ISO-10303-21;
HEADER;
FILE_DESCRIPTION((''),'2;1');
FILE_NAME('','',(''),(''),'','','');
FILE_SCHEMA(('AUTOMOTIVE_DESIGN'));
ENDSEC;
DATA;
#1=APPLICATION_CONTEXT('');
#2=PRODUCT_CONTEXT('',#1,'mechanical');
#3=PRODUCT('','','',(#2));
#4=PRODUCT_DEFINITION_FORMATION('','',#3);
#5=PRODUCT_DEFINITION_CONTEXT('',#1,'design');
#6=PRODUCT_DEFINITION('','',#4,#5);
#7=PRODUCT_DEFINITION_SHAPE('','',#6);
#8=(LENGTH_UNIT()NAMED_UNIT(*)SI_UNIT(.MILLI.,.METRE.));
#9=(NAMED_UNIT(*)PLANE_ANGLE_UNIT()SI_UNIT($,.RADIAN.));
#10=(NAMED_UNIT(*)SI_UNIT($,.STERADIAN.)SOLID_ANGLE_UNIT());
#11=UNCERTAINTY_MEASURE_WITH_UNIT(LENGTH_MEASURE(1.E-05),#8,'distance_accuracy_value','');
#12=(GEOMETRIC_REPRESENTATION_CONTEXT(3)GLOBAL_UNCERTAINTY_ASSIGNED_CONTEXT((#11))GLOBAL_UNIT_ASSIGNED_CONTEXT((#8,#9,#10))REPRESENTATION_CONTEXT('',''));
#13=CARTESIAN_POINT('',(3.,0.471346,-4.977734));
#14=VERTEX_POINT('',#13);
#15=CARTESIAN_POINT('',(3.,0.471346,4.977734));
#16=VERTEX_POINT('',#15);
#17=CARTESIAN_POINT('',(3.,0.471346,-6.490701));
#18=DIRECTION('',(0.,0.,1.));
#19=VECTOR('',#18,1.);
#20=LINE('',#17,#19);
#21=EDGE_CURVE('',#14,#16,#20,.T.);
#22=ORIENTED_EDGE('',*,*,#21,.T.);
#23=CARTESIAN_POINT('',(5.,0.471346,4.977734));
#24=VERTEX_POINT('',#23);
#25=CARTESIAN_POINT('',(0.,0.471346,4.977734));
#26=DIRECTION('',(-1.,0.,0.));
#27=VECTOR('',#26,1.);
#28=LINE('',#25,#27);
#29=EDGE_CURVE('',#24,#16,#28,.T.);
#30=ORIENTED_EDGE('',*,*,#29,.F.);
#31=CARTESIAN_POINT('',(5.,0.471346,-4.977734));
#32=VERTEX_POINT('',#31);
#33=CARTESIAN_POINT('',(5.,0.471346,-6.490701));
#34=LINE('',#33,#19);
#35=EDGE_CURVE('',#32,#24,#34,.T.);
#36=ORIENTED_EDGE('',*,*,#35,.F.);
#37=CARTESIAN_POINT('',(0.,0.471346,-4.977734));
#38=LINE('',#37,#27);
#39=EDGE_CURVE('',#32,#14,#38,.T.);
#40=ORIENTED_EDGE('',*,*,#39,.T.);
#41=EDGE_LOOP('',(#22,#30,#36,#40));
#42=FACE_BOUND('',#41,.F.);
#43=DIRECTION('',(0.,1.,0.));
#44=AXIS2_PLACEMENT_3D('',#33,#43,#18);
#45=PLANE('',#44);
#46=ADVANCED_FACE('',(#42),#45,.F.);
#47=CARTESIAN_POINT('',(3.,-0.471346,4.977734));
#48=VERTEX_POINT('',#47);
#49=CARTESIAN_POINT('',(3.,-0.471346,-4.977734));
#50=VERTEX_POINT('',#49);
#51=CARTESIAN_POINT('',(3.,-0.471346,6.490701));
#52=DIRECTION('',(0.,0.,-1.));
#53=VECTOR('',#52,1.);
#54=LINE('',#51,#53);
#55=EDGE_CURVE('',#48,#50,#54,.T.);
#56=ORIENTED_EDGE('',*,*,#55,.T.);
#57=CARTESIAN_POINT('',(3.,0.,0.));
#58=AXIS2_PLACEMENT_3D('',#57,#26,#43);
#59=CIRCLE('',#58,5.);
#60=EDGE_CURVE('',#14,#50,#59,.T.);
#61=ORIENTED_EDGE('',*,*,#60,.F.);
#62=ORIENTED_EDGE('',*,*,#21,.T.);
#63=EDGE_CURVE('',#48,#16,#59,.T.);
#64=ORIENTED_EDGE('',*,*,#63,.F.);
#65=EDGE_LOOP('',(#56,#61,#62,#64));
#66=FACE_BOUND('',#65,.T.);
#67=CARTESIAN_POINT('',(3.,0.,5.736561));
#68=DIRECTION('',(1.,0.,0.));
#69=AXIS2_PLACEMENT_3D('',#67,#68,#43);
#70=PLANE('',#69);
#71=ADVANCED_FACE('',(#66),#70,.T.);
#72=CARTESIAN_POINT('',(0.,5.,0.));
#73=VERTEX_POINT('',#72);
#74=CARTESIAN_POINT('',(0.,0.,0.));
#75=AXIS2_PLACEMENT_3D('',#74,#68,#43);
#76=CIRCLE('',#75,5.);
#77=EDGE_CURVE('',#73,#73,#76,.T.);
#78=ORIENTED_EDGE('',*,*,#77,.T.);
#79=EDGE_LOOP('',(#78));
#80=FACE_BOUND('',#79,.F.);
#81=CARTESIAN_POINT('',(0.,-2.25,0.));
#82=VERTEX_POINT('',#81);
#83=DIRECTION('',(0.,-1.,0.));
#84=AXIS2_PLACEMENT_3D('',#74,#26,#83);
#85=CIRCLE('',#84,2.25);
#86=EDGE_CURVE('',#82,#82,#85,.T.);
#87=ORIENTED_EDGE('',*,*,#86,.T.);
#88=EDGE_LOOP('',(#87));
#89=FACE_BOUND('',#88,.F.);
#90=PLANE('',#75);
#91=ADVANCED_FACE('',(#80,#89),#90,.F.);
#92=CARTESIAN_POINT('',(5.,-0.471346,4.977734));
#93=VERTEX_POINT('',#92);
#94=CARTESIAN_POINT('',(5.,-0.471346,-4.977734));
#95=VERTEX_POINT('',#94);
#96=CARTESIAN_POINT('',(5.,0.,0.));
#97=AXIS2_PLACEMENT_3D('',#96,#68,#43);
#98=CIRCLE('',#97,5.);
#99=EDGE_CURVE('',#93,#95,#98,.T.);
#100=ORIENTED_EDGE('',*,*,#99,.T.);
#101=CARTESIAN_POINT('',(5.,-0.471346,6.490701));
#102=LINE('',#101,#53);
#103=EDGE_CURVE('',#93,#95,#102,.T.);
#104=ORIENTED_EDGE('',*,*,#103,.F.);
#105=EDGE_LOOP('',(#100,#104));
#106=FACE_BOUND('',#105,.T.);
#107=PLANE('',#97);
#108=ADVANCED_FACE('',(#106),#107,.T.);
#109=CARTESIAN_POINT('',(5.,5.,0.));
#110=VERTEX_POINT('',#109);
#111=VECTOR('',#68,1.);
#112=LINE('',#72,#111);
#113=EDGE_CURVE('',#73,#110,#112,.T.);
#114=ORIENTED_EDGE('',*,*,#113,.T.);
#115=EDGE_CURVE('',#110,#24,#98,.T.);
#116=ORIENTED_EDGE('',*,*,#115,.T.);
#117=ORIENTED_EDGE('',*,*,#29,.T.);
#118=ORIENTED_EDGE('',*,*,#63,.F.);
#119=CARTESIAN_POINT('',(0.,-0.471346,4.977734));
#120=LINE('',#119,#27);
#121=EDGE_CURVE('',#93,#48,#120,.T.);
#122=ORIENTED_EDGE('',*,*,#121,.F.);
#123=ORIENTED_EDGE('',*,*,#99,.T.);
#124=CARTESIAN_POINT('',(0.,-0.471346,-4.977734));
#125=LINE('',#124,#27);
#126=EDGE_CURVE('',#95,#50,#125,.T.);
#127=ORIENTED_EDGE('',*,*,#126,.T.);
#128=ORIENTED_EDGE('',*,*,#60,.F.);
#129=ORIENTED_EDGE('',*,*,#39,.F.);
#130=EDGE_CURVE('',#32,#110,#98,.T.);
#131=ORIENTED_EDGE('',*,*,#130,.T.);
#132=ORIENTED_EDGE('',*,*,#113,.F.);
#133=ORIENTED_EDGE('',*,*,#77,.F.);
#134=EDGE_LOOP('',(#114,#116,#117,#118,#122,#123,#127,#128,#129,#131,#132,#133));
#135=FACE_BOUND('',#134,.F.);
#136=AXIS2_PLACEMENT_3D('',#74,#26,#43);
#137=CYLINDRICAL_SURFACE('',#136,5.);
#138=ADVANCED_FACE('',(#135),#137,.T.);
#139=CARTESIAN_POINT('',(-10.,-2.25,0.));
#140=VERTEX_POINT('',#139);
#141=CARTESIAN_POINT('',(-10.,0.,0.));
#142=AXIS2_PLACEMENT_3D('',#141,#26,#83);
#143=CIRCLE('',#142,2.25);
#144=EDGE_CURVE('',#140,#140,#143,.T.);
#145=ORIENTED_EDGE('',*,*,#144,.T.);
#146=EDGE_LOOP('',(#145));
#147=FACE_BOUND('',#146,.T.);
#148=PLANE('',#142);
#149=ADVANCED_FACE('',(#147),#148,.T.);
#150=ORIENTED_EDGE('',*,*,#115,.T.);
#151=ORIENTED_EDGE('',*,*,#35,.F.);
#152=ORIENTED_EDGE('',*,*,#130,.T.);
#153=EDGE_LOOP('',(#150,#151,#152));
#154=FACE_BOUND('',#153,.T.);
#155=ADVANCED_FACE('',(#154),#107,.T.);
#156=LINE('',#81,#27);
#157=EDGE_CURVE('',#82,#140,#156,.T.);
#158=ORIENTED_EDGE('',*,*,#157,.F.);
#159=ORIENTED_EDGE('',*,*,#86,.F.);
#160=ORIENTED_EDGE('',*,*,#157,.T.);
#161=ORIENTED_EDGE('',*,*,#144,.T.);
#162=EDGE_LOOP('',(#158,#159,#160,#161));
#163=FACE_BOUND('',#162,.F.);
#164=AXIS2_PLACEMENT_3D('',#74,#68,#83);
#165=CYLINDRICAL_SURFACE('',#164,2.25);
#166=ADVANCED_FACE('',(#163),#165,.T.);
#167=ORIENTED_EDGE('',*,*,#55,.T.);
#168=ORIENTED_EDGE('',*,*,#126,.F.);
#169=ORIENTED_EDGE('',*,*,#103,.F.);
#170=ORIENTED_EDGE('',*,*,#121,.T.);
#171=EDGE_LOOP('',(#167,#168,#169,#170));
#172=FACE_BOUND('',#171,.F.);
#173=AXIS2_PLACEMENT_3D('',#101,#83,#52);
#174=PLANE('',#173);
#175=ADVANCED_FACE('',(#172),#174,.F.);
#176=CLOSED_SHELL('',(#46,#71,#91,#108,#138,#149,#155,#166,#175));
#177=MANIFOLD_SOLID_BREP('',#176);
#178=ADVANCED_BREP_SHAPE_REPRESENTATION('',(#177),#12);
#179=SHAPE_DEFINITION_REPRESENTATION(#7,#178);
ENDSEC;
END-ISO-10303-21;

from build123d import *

# Parameters (mm, degrees)
F0_R     = 5
F1_DEPTH = 5
F2_R     = 2.25
F3_DEPTH = 10
F5_DEPTH = 2


with BuildPart() as f1:
    # F0 (on Right) → F1 (new body)
    with BuildSketch(Plane.YZ):
        Circle(F0_R)
    extrude(amount=F1_DEPTH)

    # F2 (on face) → F3 (join)
    with BuildSketch(Plane(origin=(0, 0, 0), x_dir=(0, -1, 0), z_dir=(-1, 0, 0))):
        Circle(F2_R)
    extrude(amount=F3_DEPTH)

    # F4 (on face) → F5 (cut)
    with BuildSketch(Plane.YZ.offset(5)):
        with BuildLine():
            Line((0.4713461094, 4.9777337057), (0.4713461094, 6.4907008782))
            Line((0.4713461094, 6.4907008782), (-0.4713461094, 6.4907008782))
            Line((-0.4713461094, 6.4907008782), (-0.4713461094, 4.9777337057))
            ThreePointArc((-0.4713461094, 4.9777337057), (0, 5), (0.4713461094, 4.9777337057))
        make_face()
        with BuildLine():
            Line((0.4713461094, -4.9777337057), (0.4713461094, 4.9777337057))
            ThreePointArc((0.4713461094, 4.9777337057), (0, 5), (-0.4713461094, 4.9777337057))
            Line((-0.4713461094, 4.9777337057), (-0.4713461094, -4.9777337057))
            ThreePointArc((-0.4713461094, -4.9777337057), (0, -5), (0.4713461094, -4.9777337057))
        make_face()
        with BuildLine():
            Line((0.4713461094, -6.4907008782), (0.4713461094, -4.9777337057))
            ThreePointArc((0.4713461094, -4.9777337057), (0, -5), (-0.4713461094, -4.9777337057))
            Line((-0.4713461094, -4.9777337057), (-0.4713461094, -6.4907008782))
            Line((-0.4713461094, -6.4907008782), (0.4713461094, -6.4907008782))
        make_face()
    extrude(amount=-F5_DEPTH, mode=Mode.SUBTRACT)


solid = f1.part
